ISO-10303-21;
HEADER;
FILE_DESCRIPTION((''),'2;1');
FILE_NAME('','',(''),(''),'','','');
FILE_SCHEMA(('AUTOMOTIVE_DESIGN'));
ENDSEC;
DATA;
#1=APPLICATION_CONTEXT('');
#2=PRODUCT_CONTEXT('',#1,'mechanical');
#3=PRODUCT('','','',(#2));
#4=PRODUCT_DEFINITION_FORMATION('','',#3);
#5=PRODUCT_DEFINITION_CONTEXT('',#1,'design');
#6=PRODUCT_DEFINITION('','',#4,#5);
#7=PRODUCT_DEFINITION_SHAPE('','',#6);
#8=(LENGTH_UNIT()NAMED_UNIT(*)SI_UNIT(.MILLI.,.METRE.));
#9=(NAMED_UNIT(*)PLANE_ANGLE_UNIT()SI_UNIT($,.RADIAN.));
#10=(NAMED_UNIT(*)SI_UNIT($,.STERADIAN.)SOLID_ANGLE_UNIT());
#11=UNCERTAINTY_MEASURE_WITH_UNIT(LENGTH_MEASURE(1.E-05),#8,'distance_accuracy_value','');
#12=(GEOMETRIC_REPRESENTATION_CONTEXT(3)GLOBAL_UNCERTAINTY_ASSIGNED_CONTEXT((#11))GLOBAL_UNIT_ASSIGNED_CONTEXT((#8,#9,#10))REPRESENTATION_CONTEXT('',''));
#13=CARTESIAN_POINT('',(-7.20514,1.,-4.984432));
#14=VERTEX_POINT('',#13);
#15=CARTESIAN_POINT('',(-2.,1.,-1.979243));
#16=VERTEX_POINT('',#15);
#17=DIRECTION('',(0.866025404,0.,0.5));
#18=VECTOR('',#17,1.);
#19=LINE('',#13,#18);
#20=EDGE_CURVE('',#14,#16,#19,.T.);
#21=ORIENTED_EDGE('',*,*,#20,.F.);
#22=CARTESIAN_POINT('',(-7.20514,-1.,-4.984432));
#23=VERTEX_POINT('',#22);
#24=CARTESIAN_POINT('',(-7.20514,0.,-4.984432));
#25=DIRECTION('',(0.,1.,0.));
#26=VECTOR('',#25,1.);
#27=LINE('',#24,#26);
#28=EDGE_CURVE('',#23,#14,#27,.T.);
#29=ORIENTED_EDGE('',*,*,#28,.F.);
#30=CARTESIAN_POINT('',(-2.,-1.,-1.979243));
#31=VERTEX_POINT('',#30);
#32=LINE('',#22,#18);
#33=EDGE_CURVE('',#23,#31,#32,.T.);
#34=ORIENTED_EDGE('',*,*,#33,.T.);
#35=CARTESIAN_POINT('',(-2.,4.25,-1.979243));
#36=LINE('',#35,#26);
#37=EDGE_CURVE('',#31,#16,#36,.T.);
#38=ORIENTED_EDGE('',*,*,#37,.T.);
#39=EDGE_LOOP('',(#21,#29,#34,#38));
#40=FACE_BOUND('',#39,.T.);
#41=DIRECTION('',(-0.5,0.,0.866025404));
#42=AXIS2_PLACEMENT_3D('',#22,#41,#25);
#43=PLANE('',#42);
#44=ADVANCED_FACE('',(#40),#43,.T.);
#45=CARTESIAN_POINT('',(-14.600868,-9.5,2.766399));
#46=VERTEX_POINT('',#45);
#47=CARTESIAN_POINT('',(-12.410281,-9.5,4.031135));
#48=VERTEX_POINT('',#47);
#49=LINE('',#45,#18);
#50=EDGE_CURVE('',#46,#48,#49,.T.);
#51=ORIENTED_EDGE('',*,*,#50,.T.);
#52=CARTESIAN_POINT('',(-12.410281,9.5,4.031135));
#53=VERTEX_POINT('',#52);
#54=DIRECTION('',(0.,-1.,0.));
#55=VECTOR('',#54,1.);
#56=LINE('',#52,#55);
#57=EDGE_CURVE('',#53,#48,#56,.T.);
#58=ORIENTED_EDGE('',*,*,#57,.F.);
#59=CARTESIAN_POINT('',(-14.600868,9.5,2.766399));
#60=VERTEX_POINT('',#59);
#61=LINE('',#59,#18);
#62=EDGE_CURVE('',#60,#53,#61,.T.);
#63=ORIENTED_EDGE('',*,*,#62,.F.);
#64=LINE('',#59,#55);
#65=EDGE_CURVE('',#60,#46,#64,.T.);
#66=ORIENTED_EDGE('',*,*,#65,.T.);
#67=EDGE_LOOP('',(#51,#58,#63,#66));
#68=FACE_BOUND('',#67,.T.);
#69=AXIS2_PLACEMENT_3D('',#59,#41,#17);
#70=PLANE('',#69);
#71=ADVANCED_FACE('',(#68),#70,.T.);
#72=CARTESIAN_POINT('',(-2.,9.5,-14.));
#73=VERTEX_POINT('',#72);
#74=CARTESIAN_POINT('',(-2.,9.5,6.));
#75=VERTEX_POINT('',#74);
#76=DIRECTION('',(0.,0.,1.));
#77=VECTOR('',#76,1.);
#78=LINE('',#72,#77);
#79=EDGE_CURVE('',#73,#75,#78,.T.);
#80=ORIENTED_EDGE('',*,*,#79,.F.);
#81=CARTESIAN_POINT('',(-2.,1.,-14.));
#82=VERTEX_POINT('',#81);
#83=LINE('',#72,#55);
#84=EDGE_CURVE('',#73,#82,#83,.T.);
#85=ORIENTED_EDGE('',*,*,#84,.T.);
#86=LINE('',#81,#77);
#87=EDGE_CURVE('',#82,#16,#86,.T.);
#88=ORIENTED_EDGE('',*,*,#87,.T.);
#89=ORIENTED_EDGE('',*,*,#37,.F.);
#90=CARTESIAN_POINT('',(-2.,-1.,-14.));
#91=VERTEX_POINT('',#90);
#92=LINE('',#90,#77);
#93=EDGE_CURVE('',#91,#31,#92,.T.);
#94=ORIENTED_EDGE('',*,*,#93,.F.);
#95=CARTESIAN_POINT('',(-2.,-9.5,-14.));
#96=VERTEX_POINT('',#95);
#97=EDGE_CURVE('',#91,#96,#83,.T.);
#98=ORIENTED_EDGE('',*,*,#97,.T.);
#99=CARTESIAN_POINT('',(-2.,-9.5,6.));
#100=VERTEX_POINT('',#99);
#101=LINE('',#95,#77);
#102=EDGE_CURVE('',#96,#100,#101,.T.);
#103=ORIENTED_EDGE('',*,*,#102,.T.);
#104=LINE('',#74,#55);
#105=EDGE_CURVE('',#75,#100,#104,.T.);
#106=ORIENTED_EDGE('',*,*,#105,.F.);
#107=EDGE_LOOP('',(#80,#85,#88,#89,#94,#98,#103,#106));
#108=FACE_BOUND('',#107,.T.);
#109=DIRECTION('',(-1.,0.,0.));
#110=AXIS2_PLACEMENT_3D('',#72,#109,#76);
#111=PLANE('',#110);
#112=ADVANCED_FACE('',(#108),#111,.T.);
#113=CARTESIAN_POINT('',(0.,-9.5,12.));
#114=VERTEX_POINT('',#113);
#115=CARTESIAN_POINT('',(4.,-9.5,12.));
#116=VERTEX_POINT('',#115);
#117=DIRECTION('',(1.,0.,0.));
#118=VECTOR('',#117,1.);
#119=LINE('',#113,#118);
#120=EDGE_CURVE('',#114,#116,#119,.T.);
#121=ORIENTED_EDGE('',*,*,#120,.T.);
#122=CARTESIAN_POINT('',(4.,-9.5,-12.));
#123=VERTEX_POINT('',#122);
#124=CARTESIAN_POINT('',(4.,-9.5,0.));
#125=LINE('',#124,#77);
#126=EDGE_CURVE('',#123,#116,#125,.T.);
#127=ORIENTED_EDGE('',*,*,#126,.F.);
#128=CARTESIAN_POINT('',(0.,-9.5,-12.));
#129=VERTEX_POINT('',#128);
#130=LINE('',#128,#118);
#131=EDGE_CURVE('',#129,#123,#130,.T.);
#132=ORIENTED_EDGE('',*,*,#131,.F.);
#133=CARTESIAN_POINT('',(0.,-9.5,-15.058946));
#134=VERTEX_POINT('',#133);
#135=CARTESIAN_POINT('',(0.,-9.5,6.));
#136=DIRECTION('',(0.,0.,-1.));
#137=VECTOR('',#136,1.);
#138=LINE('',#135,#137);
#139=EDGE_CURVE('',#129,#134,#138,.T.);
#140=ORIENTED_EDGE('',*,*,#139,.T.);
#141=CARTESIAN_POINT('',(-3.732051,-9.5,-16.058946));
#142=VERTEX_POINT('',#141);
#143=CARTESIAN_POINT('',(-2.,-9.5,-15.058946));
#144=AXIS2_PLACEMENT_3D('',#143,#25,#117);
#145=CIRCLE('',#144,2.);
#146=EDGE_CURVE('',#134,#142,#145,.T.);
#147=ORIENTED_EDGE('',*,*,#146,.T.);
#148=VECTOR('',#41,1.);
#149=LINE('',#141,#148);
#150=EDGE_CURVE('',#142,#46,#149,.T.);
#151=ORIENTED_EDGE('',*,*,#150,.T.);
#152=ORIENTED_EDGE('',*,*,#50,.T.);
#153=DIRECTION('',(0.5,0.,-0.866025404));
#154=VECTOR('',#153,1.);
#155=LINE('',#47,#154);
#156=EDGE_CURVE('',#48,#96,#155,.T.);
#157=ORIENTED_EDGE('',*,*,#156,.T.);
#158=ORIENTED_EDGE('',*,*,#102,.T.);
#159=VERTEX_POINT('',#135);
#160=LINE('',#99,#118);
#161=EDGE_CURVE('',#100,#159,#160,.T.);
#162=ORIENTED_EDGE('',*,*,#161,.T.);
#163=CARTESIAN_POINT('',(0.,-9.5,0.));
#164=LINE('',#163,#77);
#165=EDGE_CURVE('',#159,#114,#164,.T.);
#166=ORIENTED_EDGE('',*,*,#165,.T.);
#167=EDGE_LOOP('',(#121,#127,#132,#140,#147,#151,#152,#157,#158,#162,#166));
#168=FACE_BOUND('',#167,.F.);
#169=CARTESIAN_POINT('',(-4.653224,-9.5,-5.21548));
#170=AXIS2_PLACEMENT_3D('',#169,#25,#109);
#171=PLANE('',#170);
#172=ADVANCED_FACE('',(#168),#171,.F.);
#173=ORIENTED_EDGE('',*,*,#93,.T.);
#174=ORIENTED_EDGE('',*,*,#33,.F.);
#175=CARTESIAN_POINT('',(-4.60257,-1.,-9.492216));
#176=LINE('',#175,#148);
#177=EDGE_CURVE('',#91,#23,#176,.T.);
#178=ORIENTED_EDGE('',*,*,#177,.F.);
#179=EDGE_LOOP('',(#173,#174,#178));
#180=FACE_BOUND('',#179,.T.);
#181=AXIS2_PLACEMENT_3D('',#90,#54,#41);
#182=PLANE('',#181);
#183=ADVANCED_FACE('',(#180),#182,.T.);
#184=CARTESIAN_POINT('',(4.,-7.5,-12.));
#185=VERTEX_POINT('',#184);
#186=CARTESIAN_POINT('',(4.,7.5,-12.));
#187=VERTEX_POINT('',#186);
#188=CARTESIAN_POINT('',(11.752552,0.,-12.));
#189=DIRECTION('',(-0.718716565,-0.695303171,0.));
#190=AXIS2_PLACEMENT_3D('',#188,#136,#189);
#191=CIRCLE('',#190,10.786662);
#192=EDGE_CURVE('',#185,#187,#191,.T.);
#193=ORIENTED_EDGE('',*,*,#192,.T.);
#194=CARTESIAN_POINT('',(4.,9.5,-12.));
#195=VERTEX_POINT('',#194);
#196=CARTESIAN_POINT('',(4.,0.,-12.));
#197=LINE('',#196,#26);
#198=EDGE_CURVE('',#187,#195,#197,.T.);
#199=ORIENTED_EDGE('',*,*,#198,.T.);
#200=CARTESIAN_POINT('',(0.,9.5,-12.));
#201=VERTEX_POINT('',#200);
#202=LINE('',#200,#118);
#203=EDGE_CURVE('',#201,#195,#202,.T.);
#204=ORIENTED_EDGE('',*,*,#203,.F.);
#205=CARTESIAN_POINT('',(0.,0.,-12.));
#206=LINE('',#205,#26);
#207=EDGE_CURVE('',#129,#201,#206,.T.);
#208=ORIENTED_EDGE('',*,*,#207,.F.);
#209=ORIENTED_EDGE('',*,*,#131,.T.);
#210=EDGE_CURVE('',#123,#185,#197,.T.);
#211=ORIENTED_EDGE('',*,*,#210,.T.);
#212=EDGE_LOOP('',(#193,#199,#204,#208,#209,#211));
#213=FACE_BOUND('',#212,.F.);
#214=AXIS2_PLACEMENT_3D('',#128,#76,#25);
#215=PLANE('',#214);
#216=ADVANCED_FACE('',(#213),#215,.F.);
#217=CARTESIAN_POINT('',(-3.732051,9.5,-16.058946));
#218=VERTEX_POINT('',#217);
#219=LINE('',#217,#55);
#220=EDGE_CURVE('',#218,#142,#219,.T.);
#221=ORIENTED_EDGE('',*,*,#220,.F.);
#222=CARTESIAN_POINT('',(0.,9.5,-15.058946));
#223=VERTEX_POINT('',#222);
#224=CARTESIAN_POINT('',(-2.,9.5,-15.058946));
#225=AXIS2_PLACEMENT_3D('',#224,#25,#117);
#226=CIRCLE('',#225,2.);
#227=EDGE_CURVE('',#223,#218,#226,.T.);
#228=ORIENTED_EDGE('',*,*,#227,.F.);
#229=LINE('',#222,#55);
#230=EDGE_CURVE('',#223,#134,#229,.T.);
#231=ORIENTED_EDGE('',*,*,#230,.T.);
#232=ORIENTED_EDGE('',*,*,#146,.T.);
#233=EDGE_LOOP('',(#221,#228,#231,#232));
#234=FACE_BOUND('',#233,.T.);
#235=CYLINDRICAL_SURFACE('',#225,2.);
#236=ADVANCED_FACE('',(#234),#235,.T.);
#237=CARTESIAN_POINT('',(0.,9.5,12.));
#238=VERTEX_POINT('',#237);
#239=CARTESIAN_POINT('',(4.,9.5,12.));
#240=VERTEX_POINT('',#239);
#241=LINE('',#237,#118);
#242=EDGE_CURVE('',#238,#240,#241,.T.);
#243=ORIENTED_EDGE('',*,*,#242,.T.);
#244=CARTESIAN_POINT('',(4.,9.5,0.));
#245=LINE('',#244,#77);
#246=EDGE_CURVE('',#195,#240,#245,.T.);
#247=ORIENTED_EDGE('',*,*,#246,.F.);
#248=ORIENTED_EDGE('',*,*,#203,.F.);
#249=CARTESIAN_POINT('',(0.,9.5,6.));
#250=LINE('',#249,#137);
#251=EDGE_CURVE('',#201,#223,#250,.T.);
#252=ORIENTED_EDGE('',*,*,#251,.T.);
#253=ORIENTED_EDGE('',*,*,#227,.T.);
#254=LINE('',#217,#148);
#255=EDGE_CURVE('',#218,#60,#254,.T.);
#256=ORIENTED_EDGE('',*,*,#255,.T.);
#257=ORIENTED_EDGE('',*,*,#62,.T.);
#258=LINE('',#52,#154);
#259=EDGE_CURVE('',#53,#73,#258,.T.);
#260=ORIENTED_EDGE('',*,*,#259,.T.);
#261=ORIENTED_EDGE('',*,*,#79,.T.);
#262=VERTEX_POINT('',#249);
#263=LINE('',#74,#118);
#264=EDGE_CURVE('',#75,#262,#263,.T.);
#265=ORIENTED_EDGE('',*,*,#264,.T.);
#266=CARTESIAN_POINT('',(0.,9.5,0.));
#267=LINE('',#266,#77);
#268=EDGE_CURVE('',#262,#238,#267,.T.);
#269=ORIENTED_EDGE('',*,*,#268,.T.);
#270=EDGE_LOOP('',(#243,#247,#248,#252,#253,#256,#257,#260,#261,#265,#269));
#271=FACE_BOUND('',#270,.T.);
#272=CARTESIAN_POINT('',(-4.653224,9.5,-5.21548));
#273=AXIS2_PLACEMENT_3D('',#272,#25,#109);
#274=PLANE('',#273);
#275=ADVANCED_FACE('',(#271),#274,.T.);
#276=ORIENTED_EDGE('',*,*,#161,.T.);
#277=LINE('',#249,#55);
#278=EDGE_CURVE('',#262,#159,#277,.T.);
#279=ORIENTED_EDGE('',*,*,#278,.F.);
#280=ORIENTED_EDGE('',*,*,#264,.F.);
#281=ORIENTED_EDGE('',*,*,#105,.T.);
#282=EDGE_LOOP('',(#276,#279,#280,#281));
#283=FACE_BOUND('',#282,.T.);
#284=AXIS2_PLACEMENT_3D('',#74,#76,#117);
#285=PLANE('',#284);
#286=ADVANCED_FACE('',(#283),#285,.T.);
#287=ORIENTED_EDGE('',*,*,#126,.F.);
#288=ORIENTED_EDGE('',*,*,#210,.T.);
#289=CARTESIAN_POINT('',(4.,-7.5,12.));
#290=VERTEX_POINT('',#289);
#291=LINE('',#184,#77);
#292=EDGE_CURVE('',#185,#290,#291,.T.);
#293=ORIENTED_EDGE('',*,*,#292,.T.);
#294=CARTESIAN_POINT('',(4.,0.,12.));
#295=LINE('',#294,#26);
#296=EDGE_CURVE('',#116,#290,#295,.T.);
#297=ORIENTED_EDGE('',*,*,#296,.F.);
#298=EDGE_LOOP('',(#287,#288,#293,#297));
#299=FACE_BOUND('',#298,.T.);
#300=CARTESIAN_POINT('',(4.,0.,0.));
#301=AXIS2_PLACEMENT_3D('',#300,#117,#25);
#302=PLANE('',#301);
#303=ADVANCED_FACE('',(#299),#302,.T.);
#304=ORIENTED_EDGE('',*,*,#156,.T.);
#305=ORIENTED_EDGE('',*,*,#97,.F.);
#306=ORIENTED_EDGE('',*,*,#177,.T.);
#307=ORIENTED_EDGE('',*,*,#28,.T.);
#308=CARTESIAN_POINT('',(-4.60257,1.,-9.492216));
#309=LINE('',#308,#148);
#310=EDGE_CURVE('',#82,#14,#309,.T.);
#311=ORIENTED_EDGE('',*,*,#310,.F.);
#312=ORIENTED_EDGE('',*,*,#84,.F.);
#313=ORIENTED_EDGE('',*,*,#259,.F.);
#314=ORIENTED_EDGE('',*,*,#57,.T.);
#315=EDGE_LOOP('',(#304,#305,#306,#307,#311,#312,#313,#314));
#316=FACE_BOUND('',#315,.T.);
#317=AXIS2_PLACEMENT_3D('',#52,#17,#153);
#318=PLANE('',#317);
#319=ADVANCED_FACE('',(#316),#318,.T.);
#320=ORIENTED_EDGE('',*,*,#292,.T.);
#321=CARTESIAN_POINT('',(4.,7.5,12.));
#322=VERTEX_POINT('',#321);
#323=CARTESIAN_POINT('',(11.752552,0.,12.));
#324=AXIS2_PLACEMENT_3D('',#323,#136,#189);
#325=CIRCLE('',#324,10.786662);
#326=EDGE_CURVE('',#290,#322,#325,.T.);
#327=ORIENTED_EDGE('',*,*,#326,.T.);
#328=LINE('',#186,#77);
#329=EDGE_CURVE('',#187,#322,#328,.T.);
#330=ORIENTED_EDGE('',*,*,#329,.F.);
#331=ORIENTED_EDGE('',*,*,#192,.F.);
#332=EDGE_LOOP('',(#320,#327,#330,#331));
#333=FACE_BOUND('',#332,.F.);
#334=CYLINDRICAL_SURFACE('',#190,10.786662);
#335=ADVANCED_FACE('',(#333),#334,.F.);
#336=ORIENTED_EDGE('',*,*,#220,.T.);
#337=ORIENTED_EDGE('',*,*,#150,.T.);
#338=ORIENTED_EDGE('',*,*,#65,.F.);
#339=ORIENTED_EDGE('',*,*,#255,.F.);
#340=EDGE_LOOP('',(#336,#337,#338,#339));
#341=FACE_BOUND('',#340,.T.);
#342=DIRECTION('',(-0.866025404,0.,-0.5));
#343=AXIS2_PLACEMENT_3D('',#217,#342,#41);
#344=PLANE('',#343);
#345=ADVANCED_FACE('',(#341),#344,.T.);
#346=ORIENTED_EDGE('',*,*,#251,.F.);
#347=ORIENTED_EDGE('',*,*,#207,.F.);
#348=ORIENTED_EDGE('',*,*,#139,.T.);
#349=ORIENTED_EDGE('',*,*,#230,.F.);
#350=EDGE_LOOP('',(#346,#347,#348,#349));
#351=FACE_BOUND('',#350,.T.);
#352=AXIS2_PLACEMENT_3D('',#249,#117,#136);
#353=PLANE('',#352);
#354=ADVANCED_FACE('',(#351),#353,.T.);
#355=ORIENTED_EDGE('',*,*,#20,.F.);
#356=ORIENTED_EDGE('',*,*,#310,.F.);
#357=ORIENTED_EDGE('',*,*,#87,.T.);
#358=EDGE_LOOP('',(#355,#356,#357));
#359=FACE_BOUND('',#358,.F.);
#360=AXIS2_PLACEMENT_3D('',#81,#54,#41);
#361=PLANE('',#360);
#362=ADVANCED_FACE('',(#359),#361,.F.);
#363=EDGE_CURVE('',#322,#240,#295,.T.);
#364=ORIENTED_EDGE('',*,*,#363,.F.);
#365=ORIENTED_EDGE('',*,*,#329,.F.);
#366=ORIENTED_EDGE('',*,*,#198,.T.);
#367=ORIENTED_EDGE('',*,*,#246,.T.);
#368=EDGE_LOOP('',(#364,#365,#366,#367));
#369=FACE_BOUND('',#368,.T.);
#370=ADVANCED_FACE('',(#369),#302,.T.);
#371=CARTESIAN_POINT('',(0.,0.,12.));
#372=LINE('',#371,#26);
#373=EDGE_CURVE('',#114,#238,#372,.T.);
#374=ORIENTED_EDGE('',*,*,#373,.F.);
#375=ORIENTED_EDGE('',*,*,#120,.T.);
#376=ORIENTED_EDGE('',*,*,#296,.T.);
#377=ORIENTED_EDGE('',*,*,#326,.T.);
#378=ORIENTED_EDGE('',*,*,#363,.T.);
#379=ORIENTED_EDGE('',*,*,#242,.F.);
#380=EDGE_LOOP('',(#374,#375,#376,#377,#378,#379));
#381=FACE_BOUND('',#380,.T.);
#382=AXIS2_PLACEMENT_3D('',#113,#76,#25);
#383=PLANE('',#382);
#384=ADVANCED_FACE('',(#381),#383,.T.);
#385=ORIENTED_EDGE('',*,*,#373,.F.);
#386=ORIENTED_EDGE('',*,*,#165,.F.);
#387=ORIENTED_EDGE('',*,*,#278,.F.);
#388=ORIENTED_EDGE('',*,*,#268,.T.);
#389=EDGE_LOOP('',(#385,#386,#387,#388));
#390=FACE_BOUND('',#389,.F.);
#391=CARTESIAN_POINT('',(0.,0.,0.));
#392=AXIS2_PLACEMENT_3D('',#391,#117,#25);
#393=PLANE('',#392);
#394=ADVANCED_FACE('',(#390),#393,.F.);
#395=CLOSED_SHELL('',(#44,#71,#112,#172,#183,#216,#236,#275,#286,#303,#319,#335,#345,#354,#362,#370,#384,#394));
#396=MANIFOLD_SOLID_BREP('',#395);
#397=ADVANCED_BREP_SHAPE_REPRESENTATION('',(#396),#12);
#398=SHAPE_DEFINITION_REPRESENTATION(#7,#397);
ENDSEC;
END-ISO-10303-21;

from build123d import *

# Parameters (mm, degrees)
F0_W     = 19
F0_H     = 24
F1_DEPTH = 4
F3_DEPTH = 19
F4_W     = 2
F4_H     = 10.4102807478
F7_DEPTH = 24.001


with BuildPart() as f1:
    # F0 (on Right) → F1 (new body)
    with BuildSketch(Plane.YZ):
        Rectangle(F0_W, F0_H)
    extrude(amount=F1_DEPTH)

    # F2 (on face) → F3 (join, through all)
    with BuildSketch(Plane(origin=(0, 9.5, 0), x_dir=(-1, 0, 0), z_dir=(0, 1, 0))):
        with BuildLine():
            Line((2, 6), (0, 6))
            Line((0, 6), (0, -15.05894568))
            ThreePointArc((0, -15.05894568), (1.4823619098, -16.9907973326), (3.7320508076, -16.05894568))
            Line((3.7320508076, -16.05894568), (14.6008684854, 2.7663987562))
            Line((14.6008684854, 2.7663987562), (12.4102807478, 4.0311351762))
            Line((12.4102807478, 4.0311351762), (2, -14))
            Line((2, -14), (2, 6))
        make_face()
    extrude(amount=-F3_DEPTH)

    # F4 (on face) → F5 (join, up to the next surface of F1)
    with BuildSketch(Plane(origin=(-7.5621778265, 0, -4.3660254038), x_dir=(0, 1, 0), z_dir=(0.8660254038, 0, 0.5))):
        with Locations((0, -5.9192152791)):
            Rectangle(F4_W, F4_H)
    extrude(until=Until.NEXT)

    # F6 (on face) → F7 (cut, through all)
    with BuildSketch(Plane(origin=(0, 0, -12), x_dir=(1, 0, 0), z_dir=(0, 0, -1))):
        with BuildLine():
            Line((4, -7.5), (4, 7.5))
            ThreePointArc((4, 7.5), (0.9658907755, 0), (4, -7.5))
        make_face()
    extrude(amount=-F7_DEPTH, mode=Mode.SUBTRACT)


solid = f1.part
